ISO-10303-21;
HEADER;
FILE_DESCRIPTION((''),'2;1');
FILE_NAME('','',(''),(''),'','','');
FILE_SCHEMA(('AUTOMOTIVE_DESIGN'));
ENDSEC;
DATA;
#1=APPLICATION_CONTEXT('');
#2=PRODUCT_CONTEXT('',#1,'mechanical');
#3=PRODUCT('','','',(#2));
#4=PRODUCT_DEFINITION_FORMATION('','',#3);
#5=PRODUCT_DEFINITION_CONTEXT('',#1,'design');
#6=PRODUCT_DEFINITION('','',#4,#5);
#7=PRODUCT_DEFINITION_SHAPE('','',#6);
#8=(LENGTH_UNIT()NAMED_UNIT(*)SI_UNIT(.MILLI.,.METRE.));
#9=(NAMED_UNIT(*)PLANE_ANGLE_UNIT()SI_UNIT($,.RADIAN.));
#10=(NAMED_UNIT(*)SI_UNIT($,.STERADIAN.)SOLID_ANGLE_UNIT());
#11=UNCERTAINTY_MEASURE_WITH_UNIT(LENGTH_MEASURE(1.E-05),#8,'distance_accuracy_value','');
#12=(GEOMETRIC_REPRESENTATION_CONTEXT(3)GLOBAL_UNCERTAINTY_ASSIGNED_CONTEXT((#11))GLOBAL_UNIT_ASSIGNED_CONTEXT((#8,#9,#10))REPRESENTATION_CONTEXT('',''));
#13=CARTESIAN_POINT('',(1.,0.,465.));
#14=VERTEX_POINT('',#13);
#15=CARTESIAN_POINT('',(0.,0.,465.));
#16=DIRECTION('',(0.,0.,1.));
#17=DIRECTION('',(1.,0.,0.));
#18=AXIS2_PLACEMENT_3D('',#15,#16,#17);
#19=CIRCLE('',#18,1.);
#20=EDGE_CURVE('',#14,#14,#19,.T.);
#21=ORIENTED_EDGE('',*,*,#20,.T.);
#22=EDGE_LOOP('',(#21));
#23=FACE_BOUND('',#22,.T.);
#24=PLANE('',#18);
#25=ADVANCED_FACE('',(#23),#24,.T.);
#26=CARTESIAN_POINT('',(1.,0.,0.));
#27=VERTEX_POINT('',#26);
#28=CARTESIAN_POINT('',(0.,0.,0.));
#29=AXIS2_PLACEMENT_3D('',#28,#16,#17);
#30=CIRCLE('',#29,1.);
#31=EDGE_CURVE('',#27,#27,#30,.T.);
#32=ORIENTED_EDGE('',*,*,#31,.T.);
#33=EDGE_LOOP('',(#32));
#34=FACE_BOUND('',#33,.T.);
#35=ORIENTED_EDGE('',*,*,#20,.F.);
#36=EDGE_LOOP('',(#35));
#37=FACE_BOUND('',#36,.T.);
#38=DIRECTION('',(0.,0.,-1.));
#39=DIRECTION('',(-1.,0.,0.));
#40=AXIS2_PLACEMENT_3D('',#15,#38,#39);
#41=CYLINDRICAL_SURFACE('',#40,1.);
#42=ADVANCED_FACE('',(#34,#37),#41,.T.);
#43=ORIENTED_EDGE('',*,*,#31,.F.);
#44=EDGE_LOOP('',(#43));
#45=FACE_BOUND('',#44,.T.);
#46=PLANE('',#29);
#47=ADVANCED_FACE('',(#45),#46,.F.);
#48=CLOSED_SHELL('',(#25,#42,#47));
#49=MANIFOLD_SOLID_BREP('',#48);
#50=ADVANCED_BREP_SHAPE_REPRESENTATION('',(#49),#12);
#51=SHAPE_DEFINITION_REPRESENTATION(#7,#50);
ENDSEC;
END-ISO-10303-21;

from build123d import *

# Parameters (mm, degrees)
SKETCH_1_R      = 1
EXTRUDE_1_DEPTH = 465


with BuildPart() as part:
    # Эскиз1 → Бобышка-Вытянуть1 (new body)
    with BuildSketch(Plane.XY):
        Circle(SKETCH_1_R)
    extrude(amount=EXTRUDE_1_DEPTH)


solid = part.part
